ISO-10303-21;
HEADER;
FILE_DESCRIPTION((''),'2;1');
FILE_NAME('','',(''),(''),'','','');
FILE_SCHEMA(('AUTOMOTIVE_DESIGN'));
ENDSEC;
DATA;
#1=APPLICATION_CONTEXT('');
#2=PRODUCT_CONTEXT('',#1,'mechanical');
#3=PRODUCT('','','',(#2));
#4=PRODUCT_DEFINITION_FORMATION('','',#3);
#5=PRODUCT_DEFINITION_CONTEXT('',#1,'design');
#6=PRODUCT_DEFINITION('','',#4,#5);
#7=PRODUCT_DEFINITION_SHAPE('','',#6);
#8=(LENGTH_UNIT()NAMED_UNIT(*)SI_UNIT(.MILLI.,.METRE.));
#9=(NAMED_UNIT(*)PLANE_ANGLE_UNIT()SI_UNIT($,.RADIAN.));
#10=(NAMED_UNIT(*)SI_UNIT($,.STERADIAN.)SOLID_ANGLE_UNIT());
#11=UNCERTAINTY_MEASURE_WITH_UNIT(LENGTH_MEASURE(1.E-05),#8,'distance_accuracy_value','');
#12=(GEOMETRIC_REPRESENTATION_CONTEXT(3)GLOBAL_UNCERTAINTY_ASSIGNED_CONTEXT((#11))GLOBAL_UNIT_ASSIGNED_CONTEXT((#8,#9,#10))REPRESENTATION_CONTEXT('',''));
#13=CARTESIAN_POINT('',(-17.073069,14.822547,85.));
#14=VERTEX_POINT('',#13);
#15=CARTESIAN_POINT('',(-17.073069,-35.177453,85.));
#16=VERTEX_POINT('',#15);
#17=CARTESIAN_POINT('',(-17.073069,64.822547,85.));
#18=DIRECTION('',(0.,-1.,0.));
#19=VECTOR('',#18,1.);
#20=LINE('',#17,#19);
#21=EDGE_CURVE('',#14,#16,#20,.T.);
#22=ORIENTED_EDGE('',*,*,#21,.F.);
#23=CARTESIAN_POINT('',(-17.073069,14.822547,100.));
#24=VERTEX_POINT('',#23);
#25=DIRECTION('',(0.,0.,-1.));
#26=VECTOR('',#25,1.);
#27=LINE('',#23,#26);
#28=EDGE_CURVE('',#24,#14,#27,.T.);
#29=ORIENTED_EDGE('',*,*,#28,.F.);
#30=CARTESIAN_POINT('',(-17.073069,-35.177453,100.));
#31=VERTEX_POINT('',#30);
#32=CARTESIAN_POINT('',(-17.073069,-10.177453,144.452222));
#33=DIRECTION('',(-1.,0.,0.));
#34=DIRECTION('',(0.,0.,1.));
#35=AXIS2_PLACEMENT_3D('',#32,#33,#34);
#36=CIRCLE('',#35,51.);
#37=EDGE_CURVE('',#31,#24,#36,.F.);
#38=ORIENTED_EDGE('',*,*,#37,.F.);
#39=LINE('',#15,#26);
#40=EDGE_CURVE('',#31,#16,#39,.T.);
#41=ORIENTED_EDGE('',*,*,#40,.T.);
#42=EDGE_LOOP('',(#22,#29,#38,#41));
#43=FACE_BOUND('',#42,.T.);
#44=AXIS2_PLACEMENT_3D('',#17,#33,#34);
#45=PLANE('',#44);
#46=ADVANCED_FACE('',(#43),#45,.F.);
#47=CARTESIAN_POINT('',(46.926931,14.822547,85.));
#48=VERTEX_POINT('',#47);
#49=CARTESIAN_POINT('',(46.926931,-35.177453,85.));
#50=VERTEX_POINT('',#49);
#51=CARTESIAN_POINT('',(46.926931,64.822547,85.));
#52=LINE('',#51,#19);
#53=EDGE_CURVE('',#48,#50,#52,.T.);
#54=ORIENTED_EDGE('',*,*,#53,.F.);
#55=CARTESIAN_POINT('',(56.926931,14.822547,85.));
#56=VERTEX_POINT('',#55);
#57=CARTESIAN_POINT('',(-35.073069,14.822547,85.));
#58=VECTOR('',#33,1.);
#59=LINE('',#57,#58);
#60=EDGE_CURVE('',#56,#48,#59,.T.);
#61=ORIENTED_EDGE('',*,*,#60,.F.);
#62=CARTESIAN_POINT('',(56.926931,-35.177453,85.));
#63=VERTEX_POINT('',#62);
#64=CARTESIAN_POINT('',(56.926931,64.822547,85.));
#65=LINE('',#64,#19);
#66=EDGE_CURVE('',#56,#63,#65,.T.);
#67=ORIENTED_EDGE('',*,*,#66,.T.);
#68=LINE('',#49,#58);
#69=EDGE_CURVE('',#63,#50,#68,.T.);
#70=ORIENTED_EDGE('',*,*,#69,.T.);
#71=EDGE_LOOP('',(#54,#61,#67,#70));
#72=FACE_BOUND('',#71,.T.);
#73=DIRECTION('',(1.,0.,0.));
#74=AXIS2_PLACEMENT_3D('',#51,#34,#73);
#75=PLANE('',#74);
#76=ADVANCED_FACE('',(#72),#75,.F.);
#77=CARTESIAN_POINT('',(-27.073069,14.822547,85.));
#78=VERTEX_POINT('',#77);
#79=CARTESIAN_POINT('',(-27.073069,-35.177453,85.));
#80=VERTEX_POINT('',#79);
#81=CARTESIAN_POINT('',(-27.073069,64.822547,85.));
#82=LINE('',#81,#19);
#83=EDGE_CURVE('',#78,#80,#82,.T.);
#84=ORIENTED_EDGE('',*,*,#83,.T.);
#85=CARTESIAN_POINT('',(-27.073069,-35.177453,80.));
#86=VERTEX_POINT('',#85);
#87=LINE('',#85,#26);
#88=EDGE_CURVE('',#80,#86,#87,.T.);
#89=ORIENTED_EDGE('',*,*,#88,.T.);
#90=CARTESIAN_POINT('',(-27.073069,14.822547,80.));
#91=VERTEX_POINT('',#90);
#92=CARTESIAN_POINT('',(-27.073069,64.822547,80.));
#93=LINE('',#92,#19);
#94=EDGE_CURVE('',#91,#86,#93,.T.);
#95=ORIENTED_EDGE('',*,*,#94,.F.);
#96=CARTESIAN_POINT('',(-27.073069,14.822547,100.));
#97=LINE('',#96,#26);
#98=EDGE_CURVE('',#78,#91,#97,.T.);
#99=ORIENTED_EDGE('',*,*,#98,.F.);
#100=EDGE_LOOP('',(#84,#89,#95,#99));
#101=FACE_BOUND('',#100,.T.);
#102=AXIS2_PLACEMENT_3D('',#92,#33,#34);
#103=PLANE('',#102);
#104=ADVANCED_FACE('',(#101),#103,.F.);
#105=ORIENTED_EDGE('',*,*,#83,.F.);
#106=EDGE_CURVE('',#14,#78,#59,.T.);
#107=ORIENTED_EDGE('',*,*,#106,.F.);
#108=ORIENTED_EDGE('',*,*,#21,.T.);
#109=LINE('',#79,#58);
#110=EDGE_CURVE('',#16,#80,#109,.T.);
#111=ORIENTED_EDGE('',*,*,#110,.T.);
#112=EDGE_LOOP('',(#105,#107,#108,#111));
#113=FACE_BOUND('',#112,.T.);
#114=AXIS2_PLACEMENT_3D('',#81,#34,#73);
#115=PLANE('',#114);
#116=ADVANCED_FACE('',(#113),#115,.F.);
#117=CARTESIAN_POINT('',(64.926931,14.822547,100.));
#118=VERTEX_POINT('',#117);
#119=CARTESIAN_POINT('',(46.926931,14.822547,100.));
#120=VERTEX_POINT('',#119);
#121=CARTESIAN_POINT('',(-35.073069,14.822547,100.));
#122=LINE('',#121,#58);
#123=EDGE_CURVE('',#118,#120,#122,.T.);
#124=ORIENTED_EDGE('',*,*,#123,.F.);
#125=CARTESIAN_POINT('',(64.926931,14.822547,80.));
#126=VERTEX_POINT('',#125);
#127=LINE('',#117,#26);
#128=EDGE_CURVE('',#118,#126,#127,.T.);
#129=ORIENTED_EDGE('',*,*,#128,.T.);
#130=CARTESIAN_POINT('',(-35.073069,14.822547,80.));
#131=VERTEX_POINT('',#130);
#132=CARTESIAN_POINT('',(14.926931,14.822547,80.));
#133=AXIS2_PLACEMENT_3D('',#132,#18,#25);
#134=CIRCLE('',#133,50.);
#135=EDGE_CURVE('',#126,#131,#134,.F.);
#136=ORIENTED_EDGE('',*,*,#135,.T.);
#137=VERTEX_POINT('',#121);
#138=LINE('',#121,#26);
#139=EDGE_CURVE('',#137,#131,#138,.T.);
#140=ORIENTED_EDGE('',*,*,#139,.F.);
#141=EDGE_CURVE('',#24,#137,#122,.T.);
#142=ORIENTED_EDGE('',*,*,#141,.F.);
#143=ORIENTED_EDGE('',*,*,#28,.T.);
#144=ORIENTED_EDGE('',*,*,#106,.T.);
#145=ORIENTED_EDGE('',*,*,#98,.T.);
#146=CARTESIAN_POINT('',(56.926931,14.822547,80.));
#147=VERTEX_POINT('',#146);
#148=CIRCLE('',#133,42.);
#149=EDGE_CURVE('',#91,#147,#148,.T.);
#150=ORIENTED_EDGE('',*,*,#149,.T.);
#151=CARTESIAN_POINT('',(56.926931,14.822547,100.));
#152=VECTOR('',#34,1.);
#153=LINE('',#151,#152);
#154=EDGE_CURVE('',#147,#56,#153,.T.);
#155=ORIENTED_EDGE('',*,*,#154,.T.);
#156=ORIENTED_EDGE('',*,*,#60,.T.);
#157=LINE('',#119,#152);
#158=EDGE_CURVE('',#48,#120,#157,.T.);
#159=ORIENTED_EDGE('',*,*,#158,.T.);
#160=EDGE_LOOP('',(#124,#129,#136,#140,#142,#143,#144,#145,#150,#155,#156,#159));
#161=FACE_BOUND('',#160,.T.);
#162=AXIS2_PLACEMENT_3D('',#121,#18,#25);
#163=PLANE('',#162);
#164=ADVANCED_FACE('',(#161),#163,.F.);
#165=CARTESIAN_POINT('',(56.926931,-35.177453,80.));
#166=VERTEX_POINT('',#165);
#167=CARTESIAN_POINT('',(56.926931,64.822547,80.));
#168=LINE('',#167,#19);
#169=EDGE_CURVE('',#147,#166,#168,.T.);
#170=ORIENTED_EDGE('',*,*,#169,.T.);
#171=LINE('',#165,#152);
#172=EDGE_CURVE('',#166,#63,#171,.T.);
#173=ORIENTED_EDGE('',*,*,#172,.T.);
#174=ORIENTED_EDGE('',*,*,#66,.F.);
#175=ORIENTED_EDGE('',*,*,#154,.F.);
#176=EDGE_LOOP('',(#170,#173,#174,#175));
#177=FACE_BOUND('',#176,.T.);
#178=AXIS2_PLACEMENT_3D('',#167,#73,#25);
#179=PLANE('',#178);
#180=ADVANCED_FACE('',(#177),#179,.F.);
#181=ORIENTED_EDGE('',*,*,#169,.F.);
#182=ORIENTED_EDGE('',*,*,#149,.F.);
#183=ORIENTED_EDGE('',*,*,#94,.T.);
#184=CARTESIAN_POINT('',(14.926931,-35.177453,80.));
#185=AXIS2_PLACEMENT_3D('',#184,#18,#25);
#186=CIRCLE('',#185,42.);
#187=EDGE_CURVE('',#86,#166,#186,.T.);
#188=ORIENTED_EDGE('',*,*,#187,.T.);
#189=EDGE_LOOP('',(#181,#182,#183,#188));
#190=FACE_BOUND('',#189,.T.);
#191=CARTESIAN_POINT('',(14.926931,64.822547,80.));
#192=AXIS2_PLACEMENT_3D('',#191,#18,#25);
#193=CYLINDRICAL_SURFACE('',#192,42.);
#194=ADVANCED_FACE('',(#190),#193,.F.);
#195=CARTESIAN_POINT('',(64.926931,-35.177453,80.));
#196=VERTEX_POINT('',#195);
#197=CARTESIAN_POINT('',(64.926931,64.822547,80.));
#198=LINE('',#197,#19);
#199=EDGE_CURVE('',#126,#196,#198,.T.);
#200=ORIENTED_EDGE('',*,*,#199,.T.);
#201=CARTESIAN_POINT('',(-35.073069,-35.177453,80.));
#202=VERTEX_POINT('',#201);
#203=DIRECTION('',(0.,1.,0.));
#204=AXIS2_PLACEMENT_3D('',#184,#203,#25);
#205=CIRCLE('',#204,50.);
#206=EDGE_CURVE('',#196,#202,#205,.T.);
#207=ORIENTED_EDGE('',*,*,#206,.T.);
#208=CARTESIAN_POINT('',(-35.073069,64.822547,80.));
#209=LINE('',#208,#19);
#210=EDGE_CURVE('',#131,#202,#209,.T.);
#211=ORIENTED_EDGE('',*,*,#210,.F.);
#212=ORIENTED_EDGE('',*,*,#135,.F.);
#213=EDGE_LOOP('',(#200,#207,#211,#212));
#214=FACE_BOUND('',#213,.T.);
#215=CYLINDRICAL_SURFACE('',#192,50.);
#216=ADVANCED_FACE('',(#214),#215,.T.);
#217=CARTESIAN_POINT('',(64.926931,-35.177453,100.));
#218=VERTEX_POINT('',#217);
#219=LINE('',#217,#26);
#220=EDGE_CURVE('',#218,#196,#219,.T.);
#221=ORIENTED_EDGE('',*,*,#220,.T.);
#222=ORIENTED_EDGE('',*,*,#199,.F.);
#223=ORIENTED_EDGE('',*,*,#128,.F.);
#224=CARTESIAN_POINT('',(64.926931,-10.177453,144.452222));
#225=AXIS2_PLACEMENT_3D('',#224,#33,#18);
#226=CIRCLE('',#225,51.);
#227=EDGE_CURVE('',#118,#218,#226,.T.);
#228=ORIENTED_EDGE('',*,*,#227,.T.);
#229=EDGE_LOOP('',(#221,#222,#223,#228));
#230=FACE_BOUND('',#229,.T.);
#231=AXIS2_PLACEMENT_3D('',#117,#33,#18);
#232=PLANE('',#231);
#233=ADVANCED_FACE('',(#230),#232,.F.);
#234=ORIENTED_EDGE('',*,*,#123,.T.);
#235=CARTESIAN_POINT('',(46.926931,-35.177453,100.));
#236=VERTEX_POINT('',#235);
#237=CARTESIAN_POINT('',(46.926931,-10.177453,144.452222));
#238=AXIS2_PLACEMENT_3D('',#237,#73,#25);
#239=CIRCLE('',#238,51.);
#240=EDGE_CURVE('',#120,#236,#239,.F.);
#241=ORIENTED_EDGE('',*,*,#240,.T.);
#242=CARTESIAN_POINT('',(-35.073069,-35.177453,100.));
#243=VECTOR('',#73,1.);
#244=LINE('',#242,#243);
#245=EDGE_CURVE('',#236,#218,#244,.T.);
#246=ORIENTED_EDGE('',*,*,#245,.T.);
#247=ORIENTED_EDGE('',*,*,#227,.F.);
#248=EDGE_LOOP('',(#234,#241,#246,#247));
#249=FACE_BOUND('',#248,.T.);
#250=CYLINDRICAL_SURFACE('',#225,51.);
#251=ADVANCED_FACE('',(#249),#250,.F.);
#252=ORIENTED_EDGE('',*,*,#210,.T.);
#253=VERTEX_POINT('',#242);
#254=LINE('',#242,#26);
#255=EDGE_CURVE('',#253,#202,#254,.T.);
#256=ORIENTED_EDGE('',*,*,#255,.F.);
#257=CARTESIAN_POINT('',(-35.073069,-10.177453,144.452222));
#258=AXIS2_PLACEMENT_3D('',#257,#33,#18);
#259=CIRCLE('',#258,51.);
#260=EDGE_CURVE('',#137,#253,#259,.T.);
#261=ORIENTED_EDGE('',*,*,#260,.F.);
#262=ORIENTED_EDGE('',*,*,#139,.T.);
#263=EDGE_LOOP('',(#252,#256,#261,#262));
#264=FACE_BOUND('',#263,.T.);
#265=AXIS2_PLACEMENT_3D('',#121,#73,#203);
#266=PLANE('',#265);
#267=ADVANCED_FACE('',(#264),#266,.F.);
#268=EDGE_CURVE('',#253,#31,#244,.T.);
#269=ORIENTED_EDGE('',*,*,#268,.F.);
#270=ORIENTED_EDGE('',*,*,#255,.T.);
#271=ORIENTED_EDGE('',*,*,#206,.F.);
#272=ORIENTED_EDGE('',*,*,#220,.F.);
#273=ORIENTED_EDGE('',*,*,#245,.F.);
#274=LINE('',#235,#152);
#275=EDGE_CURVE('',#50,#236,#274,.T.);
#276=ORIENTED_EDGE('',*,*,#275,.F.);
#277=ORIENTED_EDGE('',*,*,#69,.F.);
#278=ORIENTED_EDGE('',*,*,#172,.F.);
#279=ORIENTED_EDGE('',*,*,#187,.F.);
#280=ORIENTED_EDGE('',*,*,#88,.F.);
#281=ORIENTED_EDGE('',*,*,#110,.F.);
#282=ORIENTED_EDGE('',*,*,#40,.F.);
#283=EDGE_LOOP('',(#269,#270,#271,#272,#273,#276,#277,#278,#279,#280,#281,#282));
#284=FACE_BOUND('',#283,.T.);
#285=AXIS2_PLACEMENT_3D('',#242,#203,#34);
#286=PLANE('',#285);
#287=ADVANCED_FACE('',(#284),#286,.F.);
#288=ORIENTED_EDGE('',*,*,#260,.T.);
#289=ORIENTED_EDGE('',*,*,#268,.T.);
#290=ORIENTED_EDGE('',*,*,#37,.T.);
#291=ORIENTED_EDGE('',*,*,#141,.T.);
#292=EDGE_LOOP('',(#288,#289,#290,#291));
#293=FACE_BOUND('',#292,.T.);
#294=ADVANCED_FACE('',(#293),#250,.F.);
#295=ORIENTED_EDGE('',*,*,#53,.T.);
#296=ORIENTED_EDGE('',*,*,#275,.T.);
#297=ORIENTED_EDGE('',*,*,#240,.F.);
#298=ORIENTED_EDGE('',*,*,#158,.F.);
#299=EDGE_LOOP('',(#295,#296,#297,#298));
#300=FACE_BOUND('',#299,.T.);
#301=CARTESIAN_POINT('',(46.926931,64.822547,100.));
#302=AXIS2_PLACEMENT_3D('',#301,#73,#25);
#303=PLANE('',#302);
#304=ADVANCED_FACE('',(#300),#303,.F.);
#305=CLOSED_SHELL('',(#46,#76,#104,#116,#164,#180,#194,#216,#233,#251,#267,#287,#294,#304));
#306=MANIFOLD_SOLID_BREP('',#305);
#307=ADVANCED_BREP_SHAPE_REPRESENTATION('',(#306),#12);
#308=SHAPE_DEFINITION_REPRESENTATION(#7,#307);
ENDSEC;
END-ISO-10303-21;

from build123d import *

# Parameters (mm, degrees)
SKETCH1_W           = 100
SKETCH1_H           = 50
BOSS_EXTRUDE1_DEPTH = 100
SKETCH2_R           = 51
CUT_EXTRUDE1_DEPTH  = 100
CUT_EXTRUDE2_DEPTH  = 100


with BuildPart() as part:
    # Sketch1 → Boss-Extrude1 (new body)
    with BuildSketch(Plane.XY):
        with Locations((14.926931106, -10.177453027)):
            Rectangle(SKETCH1_W, SKETCH1_H)
    extrude(amount=BOSS_EXTRUDE1_DEPTH)

    # Sketch2 → Cut-Extrude1 (cut)
    with BuildSketch(Plane.ZY.offset(35.073068894)):
        with Locations((144.452221542, -10.177453027)):
            Circle(SKETCH2_R)
    extrude(amount=-CUT_EXTRUDE1_DEPTH, mode=Mode.SUBTRACT)

    # Sketch3 → Cut-Extrude2 (cut)
    with BuildSketch(Plane.XZ.offset(35.177453027)):
        with BuildLine():
            Line((-35.073068894, 80), (-35.073068894, 0))
            Line((-35.073068894, 0), (64.926931106, 0))
            Line((64.926931106, 0), (64.926931106, 80))
            ThreePointArc((64.926931106, 80), (14.926931106, 30), (-35.073068894, 80))
        make_face()
        with BuildLine():
            Line((-27.073068894, 85), (-17.073068894, 85))
            Line((-17.073068894, 85), (-17.073068894, 100))
            Line((-17.073068894, 100), (46.926931106, 100))
            Line((46.926931106, 100), (46.926931106, 85))
            Line((46.926931106, 85), (56.926931106, 85))
            Line((56.926931106, 85), (56.926931106, 80))
            ThreePointArc((56.926931106, 80), (14.926931106, 38), (-27.073068894, 80))
            Line((-27.073068894, 80), (-27.073068894, 85))
        make_face()
    extrude(amount=-CUT_EXTRUDE2_DEPTH, mode=Mode.SUBTRACT)


solid = part.part
